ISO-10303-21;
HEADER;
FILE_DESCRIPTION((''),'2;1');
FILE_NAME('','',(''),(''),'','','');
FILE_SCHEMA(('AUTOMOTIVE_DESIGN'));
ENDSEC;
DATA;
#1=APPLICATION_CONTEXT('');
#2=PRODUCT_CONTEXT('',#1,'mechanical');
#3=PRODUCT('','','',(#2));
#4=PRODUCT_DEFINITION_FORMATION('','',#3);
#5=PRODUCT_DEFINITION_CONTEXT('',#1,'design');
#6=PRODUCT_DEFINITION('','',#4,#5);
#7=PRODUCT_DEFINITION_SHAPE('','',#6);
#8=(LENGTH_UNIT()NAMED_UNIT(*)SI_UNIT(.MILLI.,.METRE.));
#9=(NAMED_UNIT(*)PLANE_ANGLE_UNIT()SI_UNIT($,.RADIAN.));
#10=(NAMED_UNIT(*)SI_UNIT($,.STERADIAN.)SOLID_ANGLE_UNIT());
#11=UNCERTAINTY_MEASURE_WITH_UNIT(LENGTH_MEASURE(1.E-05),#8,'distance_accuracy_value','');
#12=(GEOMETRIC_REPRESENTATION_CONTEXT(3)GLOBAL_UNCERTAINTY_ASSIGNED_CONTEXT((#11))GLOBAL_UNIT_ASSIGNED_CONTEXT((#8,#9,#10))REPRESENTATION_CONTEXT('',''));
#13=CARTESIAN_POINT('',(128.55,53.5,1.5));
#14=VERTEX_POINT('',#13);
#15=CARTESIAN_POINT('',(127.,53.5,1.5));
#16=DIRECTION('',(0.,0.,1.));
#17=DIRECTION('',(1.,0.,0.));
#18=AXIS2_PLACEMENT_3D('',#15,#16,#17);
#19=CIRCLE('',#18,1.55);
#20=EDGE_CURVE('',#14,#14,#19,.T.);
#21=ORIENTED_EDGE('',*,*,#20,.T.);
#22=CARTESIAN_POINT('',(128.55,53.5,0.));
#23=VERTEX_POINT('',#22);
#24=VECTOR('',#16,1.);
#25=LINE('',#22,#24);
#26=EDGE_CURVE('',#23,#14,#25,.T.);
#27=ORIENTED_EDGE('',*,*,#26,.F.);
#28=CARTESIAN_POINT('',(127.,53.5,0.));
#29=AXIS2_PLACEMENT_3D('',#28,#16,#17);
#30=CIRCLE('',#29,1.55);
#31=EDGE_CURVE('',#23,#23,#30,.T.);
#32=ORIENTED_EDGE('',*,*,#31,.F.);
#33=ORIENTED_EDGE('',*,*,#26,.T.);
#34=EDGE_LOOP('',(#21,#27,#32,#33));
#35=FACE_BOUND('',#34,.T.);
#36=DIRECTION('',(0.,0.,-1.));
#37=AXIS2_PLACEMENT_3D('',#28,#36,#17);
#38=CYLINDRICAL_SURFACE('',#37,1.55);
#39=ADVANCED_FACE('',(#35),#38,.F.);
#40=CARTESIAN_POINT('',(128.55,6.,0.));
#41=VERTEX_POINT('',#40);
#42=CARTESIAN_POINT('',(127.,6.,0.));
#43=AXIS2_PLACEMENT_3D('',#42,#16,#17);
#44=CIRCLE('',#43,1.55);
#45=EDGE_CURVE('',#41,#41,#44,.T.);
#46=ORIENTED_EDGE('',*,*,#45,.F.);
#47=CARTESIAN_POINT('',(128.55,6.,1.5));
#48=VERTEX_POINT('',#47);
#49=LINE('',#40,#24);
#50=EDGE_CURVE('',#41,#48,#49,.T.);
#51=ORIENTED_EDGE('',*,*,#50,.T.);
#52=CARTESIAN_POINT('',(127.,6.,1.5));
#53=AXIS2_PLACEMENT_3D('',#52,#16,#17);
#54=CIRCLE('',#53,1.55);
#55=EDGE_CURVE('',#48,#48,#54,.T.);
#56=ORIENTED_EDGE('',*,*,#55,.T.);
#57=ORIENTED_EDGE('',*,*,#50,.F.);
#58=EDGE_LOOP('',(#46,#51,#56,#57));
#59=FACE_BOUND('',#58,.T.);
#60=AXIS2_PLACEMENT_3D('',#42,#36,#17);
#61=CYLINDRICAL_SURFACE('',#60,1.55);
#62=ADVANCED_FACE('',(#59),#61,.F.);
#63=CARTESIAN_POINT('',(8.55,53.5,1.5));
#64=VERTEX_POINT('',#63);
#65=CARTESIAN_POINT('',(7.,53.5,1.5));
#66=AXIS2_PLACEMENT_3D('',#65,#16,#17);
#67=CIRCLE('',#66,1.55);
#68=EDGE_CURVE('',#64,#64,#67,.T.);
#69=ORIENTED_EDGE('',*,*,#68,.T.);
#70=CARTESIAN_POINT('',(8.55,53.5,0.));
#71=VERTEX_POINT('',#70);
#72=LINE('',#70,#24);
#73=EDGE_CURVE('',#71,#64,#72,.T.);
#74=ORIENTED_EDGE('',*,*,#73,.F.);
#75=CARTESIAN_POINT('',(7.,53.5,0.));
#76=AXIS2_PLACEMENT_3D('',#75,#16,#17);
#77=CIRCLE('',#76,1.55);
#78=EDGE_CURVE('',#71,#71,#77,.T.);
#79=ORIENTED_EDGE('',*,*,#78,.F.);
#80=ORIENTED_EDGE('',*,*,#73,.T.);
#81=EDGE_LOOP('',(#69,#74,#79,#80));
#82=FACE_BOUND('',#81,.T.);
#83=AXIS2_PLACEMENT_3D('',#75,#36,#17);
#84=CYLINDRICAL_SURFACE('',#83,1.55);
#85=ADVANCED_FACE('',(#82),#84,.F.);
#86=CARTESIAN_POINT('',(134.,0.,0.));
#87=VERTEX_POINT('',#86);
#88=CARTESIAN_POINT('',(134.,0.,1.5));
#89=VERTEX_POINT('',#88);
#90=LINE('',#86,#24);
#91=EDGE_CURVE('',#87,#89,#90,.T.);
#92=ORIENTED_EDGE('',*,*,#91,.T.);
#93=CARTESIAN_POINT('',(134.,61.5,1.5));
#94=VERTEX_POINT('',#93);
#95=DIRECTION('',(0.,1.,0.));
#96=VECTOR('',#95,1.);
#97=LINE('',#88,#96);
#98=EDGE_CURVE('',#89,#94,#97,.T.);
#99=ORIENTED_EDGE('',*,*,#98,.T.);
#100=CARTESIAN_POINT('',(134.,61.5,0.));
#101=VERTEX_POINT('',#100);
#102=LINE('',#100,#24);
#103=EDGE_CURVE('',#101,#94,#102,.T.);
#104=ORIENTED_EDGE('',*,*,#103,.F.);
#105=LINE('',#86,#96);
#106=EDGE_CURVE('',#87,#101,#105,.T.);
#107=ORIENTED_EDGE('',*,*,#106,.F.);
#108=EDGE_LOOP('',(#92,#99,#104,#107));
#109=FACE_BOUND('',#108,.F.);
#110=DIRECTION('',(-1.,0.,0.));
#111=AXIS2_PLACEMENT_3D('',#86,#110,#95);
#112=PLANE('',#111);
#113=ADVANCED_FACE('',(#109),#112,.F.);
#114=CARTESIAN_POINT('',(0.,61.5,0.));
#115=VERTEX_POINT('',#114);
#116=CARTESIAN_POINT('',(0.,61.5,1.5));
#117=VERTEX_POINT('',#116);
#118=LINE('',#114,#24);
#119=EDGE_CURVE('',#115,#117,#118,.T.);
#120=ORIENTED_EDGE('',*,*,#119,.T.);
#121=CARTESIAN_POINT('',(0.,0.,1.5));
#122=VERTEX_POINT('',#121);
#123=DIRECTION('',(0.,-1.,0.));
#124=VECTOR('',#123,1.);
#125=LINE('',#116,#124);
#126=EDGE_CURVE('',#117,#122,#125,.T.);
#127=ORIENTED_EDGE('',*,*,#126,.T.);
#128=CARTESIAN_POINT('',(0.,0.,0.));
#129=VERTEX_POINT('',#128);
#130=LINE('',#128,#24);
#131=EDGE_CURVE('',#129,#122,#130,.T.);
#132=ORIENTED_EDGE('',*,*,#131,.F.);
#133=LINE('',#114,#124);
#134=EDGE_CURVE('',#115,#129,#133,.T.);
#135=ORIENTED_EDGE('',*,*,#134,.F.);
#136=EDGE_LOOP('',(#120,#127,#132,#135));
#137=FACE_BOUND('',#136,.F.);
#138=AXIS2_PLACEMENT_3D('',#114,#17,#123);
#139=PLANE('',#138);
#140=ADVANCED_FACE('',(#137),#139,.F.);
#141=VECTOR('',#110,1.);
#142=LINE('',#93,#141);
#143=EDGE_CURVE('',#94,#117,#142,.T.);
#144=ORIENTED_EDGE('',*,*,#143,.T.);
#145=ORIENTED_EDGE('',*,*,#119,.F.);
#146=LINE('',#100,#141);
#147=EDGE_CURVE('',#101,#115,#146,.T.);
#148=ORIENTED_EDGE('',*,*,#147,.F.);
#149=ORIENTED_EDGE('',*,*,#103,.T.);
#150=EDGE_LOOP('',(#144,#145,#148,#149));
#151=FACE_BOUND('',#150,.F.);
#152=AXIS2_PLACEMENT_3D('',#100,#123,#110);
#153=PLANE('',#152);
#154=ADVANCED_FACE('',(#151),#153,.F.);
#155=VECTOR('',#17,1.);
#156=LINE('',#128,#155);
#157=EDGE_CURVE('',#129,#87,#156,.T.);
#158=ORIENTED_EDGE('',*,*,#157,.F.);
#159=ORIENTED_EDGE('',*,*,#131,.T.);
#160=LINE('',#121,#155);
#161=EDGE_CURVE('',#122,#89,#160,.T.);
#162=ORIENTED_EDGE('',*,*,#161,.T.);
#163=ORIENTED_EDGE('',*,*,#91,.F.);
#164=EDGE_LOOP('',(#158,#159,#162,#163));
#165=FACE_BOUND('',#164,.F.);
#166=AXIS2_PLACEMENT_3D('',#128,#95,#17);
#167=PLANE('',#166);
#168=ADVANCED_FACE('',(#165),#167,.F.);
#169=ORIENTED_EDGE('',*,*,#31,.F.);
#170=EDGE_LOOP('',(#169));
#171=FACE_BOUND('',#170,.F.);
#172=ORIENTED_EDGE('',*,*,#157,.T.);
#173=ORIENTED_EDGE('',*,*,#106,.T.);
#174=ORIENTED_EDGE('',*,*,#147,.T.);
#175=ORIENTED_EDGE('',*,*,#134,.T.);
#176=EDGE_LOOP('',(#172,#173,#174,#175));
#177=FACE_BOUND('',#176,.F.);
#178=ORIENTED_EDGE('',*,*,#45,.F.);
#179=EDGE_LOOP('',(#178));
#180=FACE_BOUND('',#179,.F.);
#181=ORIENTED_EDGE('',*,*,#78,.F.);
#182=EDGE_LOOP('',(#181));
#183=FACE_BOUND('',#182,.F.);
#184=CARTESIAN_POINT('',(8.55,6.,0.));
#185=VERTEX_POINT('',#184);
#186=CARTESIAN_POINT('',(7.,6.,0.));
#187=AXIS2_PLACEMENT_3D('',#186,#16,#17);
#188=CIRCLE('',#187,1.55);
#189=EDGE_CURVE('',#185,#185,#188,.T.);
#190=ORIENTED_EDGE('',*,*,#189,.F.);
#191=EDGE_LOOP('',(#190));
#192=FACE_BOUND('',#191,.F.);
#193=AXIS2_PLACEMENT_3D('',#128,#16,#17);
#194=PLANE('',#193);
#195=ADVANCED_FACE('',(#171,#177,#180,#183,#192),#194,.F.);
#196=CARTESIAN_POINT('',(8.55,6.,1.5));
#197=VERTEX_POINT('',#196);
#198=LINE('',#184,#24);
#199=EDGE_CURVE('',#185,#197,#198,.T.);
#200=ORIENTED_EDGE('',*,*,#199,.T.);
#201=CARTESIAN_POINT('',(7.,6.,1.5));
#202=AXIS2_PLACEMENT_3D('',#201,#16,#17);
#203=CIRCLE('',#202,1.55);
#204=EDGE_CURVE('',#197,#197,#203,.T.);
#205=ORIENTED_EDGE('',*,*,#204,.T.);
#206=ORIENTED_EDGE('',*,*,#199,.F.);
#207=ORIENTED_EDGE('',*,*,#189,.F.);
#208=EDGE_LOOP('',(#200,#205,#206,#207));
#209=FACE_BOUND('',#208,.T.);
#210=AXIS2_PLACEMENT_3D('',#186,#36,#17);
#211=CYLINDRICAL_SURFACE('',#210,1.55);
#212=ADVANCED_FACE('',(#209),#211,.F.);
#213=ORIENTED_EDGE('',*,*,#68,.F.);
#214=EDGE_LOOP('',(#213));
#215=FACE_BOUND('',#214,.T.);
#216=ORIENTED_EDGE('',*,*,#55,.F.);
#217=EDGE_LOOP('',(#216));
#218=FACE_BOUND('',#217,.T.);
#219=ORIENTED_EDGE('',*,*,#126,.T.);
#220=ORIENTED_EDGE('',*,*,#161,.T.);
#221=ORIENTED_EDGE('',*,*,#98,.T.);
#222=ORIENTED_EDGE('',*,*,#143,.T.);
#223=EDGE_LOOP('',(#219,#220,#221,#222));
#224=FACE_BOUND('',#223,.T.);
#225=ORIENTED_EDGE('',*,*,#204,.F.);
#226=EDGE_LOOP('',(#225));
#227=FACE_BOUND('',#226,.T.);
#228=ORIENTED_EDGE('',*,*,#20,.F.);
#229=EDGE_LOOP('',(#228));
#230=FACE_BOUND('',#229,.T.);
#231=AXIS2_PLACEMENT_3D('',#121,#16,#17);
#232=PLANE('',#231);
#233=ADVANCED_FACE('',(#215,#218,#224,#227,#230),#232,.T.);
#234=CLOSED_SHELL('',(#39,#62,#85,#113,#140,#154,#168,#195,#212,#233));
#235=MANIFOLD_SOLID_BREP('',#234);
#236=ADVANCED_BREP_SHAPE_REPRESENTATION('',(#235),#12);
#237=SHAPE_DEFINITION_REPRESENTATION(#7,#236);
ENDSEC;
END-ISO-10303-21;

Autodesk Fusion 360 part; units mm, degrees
sketch "Sketch1" plane through (0, 0, 0) normal (0, 0, 1) x (1, 0, 0)
  line L0 (0, 0) -> (134, 0)
  line L1 (134, 0) -> (134, 61.5)
  line L2 (134, 61.5) -> (0, 61.5)
  line L3 (0, 61.5) -> (0, 0)
  circle A0 centre (7, 53.5) radius 1.55
  circle A1 centre (127, 53.5) radius 1.55
  circle A2 centre (7, 6) radius 1.55
  circle A3 centre (127, 6) radius 1.55
  dimension "d1" = 61.5
  dimension "d2" = 134
  dimension "d3" = 3.1
  dimension "d4" = 8
  dimension "d5" = 7
  dimension "d6" = 3.1
  dimension "d7" = 8
  dimension "d8" = 7
  dimension "d9" = 3.1
  dimension "d10" = 3.1
  dimension "d11" = 7
  dimension "d12" = 6
  dimension "d13" = 6
  dimension "d14" = 7
extrude "Extrude1" add sketch "Sketch1" along normal blind 1.5
equation "d6 = d3"
equation "d7 = d4"
equation "d8 = d5"
equation "d9 = d3"
equation "d10 = d3"
equation "d11 = d5"
equation "d13 = d12"
equation "d14 = d5"
